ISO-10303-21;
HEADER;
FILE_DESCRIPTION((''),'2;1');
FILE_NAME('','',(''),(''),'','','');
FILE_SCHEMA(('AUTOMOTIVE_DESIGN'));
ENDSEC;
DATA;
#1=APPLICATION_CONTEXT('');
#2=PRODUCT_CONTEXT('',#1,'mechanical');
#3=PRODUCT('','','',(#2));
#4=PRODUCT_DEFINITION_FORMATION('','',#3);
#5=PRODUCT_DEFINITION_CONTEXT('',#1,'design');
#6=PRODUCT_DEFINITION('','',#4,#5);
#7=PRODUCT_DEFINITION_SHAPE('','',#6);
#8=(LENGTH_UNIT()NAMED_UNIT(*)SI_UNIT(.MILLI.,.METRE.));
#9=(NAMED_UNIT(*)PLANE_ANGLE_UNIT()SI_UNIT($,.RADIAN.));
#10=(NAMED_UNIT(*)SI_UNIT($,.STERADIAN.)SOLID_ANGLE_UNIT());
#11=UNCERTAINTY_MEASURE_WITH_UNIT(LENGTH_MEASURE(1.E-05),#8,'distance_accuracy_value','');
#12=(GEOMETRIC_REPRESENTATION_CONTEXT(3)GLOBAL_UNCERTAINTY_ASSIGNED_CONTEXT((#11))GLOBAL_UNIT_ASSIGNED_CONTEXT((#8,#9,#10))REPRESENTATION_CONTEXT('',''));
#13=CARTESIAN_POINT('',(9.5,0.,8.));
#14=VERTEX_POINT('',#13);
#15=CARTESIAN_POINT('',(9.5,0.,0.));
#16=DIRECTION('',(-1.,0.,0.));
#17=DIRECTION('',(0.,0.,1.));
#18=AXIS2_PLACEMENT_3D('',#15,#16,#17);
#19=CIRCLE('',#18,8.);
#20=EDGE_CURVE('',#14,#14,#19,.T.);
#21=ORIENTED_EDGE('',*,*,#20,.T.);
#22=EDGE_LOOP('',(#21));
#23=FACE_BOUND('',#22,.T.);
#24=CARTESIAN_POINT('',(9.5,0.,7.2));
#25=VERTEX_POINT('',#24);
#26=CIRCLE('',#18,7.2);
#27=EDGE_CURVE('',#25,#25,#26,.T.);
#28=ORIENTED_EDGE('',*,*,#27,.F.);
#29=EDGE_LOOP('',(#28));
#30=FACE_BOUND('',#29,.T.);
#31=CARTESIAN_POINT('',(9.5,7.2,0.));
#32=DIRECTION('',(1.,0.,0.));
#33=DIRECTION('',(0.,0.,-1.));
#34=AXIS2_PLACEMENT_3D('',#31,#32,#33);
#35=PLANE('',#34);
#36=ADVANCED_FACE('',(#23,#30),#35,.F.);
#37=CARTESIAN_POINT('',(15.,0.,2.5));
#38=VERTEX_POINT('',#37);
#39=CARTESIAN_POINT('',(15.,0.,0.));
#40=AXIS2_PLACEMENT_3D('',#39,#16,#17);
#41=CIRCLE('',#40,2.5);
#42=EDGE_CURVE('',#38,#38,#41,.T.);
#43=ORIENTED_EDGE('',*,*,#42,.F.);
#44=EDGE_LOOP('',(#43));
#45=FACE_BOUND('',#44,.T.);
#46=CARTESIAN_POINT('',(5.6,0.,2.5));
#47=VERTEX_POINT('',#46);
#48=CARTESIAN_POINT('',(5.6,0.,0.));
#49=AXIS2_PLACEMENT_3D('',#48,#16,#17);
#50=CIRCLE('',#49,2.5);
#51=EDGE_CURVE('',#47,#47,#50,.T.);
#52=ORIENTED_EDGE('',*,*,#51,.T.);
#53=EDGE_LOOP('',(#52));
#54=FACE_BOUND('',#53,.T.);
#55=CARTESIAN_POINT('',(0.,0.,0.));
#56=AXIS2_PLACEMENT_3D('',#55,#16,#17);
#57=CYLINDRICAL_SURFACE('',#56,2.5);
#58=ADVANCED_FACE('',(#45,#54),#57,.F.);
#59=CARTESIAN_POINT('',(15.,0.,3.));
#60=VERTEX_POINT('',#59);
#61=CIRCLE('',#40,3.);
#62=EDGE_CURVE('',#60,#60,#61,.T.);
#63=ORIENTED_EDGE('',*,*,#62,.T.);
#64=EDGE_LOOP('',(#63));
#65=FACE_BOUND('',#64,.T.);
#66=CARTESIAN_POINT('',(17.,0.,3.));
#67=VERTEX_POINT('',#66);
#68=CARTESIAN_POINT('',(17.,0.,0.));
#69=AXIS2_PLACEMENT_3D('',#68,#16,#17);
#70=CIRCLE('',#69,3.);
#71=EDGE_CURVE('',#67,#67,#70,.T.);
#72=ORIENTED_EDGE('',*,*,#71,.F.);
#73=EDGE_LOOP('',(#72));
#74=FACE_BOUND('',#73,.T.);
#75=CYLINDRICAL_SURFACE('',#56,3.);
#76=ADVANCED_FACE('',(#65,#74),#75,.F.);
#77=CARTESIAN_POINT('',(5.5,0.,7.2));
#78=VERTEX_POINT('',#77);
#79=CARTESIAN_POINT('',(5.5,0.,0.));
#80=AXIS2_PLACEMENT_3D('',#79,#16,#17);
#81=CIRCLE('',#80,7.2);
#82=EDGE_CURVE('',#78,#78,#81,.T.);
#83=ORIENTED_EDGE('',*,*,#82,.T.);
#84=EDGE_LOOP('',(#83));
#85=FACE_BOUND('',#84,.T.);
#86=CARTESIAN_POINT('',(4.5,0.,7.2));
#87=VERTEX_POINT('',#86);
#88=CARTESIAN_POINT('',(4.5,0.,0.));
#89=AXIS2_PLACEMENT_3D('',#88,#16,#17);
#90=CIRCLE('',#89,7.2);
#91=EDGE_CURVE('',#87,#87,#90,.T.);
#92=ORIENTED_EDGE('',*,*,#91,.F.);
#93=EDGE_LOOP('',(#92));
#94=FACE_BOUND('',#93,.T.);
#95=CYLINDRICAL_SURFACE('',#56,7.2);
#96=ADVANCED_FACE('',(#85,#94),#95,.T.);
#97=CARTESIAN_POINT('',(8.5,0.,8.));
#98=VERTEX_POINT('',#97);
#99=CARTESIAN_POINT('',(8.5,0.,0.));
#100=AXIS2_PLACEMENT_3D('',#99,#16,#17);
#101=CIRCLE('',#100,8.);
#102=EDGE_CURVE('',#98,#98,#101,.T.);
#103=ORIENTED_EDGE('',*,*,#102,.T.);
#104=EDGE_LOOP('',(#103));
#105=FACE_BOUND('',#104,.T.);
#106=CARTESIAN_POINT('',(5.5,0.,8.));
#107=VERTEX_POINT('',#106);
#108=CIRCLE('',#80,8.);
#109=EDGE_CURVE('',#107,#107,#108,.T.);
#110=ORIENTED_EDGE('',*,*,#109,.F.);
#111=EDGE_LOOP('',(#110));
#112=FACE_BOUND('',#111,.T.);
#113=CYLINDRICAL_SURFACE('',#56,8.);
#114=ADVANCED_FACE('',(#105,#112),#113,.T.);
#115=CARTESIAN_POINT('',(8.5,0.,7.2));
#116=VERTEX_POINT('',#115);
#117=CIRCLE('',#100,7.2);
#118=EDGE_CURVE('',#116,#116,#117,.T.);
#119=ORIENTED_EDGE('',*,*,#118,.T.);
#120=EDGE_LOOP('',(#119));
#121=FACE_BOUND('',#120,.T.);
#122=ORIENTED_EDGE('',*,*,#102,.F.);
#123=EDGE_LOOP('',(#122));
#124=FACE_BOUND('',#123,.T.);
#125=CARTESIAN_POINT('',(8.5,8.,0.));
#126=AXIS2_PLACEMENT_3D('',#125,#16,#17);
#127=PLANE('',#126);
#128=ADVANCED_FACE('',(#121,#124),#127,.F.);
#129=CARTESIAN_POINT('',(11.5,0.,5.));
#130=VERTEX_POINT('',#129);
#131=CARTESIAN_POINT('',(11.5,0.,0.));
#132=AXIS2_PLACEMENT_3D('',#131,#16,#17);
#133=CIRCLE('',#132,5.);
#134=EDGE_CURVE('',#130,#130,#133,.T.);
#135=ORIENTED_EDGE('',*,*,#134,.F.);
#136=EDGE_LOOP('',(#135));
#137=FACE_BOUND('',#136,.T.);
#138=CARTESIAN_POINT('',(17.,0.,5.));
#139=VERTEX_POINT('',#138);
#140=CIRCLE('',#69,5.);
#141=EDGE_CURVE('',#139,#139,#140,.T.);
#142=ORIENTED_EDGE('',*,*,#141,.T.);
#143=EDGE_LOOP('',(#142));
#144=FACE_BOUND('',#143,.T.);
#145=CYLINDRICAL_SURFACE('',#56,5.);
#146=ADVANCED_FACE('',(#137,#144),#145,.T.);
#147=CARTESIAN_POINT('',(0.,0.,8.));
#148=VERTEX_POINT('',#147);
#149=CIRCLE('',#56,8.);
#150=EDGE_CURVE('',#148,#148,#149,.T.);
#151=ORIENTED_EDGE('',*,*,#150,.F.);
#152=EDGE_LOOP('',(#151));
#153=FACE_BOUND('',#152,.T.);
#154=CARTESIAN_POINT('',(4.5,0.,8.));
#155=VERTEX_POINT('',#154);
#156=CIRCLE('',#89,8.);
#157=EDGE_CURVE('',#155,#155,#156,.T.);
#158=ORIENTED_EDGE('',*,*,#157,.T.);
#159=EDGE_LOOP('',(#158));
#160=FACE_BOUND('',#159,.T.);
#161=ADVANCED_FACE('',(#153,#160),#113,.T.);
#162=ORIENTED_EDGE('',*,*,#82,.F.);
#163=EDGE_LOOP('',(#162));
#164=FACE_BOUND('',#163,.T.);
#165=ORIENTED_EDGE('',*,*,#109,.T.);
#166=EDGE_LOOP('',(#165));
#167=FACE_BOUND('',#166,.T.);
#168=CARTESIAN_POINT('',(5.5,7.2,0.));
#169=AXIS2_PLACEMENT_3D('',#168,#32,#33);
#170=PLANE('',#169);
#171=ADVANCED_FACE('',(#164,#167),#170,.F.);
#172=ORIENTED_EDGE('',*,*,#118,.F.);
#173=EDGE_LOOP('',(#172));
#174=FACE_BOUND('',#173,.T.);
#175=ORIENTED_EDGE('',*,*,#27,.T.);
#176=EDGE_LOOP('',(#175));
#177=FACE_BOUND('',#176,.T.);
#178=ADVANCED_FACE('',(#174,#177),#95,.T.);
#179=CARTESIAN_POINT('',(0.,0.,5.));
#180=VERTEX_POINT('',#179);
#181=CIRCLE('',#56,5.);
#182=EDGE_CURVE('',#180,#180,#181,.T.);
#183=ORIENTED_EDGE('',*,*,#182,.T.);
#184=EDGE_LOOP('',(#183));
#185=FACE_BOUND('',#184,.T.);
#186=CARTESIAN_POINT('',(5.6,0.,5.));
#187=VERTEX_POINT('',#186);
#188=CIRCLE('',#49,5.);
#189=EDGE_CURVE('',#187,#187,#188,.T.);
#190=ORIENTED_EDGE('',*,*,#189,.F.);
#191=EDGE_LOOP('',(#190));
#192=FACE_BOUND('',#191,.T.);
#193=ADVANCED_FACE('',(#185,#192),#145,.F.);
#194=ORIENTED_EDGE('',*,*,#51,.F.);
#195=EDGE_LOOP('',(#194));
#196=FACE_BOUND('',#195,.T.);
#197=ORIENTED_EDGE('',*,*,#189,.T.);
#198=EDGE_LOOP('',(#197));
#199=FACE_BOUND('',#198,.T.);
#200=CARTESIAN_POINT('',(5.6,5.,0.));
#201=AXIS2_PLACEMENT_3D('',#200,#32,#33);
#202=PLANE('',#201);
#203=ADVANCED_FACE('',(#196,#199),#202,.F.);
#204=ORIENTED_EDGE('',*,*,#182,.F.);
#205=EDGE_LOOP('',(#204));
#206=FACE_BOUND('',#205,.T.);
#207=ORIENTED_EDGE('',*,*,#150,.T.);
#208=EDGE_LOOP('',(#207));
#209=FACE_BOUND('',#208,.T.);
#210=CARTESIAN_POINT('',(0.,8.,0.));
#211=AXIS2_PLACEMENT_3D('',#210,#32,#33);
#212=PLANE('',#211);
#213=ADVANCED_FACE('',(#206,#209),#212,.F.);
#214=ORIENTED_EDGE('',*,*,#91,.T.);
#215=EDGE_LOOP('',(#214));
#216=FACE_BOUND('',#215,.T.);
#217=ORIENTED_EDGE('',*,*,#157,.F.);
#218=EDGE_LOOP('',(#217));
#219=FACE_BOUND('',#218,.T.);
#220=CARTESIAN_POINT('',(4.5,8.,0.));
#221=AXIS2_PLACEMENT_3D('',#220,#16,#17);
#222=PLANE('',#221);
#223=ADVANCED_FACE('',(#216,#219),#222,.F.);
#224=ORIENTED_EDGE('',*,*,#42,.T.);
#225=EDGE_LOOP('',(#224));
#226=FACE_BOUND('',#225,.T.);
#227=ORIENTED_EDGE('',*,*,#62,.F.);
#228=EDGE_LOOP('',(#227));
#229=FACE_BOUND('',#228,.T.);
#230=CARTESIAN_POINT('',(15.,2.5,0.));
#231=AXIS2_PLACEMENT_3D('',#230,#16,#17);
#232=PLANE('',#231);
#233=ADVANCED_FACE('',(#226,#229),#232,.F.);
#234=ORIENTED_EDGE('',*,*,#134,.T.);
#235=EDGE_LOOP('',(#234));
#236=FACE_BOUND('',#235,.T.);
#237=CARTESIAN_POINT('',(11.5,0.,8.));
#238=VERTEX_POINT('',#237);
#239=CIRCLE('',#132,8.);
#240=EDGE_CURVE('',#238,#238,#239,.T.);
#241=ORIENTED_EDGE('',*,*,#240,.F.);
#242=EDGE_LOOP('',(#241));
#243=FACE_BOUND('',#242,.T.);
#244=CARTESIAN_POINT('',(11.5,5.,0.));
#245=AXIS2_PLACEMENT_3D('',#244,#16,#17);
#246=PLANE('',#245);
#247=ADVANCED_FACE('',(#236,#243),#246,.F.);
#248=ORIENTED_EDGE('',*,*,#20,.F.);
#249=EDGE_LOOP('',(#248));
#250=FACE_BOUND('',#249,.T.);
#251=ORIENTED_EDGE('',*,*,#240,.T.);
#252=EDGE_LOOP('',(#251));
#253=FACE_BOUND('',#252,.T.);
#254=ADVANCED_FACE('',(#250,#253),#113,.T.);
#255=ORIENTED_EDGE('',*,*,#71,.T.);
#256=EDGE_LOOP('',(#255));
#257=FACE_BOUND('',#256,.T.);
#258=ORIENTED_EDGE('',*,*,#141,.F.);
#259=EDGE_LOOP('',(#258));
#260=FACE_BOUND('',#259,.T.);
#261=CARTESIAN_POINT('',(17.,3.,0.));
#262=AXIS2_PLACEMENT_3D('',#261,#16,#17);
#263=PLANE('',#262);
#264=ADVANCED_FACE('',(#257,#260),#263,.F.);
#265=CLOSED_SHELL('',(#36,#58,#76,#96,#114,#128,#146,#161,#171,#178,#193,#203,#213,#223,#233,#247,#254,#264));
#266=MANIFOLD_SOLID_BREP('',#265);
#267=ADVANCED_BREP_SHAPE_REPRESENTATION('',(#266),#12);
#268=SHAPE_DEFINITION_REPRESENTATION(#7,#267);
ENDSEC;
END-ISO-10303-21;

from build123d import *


with BuildPart() as part:
    # Skizze1 → Rotation1 (revolve)
    with BuildSketch(Plane.XY):
        Polygon((0, 8), (0, 5), (5.6, 5), (5.6, 2.5), (15, 2.5), (15, 3), (17, 3), (17, 5), (11.5, 5), (11.5, 8), (9.5, 8), (9.5, 7.2), (8.5, 7.2), (8.5, 8), (5.5, 8), (5.5, 7.2), (4.5, 7.2), (4.5, 8), align=None)
    revolve(axis=Axis((0, 0, 0), (1, 0, 0)))


solid = part.part
